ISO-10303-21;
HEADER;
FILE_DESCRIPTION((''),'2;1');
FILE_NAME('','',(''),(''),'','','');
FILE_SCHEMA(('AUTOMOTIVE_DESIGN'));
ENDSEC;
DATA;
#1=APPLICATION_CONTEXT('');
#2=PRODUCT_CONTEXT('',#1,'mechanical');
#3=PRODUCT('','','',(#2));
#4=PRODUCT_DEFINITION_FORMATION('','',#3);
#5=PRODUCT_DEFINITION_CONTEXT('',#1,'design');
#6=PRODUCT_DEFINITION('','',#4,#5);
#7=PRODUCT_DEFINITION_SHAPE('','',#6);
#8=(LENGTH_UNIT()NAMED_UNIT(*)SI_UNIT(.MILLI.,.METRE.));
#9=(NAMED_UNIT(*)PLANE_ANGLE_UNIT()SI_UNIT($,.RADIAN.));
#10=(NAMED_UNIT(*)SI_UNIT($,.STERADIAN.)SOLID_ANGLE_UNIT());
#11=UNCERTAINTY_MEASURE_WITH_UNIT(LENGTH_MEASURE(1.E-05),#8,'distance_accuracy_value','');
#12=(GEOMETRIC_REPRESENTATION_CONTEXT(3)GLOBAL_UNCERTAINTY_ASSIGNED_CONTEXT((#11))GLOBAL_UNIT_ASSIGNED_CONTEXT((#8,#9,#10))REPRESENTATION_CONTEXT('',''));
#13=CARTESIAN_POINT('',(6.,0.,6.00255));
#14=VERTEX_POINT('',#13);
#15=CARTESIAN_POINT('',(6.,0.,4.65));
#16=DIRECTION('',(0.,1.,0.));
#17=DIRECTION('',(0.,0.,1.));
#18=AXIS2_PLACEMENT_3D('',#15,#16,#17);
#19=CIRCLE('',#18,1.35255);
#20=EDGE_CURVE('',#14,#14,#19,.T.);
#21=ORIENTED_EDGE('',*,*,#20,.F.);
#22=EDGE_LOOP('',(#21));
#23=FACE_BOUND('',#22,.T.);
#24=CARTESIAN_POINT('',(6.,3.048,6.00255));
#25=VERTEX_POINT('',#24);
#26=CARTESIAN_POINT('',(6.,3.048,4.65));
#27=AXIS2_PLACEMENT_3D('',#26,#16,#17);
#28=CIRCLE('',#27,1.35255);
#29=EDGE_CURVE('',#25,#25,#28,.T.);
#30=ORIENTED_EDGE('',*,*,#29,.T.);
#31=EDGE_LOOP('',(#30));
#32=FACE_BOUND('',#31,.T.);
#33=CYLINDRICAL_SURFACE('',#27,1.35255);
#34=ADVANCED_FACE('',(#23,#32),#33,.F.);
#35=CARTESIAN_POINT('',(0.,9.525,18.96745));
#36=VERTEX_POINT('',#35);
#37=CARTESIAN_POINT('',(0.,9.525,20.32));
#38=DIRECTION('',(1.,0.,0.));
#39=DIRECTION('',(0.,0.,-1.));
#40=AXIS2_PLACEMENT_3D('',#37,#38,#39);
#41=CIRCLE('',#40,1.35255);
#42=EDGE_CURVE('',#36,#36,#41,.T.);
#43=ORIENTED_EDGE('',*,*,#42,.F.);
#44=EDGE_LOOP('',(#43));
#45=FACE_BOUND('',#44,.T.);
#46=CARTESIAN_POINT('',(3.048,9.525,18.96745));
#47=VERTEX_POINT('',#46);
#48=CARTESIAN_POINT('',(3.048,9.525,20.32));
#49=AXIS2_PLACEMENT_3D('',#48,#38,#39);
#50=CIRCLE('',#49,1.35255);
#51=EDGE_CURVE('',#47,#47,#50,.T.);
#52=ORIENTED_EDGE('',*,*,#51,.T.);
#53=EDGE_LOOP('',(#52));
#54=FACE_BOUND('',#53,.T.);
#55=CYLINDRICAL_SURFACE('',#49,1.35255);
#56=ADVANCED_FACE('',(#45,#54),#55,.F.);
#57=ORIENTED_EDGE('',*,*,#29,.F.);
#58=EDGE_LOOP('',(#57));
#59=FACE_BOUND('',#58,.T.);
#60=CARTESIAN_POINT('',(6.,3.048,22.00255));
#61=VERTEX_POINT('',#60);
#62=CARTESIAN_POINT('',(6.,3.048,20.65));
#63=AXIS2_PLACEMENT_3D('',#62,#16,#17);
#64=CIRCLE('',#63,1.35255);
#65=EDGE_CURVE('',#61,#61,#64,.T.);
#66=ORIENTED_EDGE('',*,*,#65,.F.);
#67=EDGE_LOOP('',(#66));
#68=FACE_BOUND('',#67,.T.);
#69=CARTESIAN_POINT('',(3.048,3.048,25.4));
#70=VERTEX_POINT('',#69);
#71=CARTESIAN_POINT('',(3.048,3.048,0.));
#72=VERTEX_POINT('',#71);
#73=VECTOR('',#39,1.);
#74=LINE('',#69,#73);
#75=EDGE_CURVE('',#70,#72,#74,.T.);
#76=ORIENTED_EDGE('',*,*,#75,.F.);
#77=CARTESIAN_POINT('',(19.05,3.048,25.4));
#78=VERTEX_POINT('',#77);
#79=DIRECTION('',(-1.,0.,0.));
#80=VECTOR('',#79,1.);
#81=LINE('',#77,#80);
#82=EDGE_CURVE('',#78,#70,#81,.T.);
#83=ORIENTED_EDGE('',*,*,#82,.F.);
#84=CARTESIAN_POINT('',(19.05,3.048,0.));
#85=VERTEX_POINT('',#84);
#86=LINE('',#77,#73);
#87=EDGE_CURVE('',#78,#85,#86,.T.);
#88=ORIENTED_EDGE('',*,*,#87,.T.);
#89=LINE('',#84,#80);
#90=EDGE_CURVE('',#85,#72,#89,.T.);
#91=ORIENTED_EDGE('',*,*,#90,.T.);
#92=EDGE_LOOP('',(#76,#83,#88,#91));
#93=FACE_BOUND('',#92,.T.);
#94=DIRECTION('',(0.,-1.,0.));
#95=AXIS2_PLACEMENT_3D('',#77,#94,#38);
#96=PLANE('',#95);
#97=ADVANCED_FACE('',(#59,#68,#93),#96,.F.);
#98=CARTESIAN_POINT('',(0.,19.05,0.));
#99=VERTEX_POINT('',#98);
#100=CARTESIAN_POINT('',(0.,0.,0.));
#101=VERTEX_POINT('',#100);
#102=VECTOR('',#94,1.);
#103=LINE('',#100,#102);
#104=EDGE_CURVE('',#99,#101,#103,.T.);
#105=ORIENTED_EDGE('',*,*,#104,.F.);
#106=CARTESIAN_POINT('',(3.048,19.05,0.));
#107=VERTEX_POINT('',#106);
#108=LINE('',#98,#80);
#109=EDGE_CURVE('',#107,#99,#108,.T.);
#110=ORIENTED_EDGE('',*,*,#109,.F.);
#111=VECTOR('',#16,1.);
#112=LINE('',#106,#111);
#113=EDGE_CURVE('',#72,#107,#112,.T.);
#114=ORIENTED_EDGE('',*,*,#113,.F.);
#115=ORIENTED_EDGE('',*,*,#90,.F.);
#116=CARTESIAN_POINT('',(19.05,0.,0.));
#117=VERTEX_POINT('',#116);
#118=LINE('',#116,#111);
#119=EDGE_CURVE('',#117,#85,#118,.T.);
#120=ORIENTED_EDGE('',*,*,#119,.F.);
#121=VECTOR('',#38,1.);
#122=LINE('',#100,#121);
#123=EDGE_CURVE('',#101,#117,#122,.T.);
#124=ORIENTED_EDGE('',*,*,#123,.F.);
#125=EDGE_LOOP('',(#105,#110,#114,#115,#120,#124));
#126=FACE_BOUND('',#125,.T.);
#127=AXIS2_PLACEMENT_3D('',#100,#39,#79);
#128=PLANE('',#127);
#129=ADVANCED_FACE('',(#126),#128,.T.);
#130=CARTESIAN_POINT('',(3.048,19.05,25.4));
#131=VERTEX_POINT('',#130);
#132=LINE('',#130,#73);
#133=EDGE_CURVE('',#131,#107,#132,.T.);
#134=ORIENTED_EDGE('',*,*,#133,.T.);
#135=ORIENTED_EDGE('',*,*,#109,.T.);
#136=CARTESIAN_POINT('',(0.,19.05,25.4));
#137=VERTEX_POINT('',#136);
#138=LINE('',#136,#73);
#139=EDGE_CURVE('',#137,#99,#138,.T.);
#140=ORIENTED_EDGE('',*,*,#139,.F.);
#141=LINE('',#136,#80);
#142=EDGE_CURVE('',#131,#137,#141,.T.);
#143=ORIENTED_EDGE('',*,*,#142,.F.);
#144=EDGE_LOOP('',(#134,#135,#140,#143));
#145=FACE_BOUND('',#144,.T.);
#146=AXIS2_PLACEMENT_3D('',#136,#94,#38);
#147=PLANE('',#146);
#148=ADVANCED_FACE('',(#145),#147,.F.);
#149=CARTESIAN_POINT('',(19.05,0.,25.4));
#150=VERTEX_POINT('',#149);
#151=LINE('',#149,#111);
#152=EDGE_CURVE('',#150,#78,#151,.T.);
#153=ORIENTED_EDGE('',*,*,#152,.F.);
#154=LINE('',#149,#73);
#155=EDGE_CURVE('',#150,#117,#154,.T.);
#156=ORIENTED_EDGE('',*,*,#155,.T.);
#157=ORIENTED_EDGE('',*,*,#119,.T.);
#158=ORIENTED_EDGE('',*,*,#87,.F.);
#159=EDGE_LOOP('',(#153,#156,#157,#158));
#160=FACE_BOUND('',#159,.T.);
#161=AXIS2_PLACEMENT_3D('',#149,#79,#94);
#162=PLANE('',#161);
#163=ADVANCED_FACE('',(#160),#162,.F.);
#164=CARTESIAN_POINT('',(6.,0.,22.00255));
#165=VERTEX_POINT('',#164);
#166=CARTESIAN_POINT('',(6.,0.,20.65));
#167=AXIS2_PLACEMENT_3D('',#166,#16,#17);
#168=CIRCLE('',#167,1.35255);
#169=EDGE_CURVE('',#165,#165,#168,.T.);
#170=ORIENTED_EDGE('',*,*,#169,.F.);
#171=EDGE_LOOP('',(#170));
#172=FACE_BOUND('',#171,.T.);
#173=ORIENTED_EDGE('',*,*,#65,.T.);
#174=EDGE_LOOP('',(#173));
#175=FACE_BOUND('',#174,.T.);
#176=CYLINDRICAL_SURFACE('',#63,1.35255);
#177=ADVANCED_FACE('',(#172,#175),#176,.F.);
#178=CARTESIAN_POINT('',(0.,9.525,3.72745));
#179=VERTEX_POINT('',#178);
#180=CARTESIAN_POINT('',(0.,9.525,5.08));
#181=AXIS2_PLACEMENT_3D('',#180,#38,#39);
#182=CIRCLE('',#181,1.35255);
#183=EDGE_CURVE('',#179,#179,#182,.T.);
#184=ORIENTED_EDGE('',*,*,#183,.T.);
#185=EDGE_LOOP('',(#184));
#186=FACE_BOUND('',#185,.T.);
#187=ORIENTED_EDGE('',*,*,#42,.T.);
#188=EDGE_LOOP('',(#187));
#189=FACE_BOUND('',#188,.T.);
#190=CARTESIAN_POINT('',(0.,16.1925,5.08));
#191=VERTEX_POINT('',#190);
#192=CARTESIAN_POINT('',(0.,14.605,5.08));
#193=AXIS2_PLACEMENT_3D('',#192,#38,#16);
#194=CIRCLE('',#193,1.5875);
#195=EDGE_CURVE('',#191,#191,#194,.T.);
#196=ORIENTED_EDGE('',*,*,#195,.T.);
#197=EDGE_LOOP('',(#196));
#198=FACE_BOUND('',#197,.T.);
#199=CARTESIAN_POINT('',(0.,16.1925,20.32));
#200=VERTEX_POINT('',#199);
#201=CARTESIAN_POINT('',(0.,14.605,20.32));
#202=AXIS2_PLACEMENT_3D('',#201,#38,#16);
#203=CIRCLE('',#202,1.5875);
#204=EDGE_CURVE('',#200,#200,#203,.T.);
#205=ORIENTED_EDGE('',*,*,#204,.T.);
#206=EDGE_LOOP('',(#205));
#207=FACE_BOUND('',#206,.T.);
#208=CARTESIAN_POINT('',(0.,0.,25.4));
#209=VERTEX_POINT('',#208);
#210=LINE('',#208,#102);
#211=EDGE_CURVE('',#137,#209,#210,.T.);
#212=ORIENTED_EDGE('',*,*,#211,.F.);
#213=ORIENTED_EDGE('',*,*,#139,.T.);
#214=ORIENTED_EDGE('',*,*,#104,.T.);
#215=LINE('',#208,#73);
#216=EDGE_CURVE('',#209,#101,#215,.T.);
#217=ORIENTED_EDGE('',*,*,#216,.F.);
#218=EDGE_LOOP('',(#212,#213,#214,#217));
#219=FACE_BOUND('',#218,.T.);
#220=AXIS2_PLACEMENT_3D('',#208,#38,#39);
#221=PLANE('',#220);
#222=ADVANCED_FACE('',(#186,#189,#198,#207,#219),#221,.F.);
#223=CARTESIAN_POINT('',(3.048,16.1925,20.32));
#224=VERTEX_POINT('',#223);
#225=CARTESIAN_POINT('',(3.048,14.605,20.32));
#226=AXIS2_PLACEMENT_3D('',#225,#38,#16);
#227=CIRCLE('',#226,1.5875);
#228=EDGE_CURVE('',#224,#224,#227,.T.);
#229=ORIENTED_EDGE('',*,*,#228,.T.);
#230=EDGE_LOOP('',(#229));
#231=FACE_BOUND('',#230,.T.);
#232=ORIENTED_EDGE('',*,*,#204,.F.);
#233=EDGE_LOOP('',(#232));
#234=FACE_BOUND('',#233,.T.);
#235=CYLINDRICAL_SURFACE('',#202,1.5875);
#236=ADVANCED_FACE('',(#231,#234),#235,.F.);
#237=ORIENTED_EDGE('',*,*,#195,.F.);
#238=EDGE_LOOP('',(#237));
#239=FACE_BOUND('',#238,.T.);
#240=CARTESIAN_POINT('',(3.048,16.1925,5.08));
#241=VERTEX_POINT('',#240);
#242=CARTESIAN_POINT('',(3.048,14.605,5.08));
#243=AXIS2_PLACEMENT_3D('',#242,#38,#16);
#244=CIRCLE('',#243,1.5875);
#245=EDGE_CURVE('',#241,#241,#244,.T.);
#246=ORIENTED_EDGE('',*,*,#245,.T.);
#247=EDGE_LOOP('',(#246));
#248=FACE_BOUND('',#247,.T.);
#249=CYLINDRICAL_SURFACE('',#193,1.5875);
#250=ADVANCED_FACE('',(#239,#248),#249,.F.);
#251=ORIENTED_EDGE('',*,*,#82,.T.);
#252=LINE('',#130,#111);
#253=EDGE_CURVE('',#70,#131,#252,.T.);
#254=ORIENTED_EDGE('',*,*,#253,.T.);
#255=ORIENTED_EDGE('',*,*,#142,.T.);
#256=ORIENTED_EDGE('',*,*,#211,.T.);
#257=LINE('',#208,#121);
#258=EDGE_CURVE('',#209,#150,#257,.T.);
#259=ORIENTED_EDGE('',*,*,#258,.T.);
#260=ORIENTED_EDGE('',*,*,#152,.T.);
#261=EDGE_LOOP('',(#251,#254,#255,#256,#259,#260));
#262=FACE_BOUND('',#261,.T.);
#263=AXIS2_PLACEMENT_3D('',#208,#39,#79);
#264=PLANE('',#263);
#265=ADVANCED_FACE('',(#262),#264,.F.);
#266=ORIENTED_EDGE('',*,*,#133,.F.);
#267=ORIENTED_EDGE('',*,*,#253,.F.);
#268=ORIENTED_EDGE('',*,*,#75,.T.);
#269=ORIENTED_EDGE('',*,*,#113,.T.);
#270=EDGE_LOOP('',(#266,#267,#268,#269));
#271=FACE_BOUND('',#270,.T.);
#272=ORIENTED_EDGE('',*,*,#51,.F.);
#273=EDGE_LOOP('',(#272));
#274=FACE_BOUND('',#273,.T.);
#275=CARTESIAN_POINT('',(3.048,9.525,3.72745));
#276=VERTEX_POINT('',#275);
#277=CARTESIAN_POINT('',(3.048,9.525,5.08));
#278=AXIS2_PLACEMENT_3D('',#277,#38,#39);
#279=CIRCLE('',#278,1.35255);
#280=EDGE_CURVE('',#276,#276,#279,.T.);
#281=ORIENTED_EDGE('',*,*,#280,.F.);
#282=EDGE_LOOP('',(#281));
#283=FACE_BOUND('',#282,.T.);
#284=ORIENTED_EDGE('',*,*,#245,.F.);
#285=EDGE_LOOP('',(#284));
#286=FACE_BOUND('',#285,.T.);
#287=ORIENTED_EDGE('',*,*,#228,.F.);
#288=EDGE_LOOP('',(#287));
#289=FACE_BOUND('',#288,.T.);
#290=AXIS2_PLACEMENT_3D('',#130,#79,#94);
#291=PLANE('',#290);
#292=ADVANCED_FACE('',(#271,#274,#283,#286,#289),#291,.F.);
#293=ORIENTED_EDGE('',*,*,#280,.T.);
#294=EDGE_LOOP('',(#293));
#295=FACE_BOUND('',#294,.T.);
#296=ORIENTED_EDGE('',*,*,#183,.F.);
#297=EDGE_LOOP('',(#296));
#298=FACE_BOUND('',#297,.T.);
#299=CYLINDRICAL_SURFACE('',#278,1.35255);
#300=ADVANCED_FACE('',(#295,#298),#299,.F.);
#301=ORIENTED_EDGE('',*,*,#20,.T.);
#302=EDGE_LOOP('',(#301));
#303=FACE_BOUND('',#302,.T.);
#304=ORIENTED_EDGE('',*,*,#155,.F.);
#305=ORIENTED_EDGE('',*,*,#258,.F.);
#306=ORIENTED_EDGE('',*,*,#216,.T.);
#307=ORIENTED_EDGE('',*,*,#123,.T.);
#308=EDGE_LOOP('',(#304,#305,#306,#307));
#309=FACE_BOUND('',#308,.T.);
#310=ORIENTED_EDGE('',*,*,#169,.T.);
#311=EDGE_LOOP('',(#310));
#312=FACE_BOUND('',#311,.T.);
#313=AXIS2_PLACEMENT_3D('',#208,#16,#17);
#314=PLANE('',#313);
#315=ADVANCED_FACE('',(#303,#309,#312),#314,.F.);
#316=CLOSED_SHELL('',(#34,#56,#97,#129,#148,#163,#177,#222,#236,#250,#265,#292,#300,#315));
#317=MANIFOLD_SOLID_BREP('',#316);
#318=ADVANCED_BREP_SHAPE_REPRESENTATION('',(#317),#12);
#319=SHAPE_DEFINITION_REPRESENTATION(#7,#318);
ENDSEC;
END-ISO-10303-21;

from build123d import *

# Parameters (mm, degrees)
BOSS_EXTRUDE1_DEPTH   = 25.4
F_6_32_TAPPED_HOLE1_D = 2.7051
F_6_32_TAPPED_HOLE2_D = 2.7051
SKETCH7_R             = 1.5875
CUT_EXTRUDE1_DEPTH    = 4.048


with BuildPart() as part:
    # Sketch1 → Boss-Extrude1 (new body)
    with BuildSketch(Plane.XY):
        Polygon((0, 0), (19.05, 0), (19.05, 3.048), (3.048, 3.048), (3.048, 19.05), (0, 19.05), align=None)
    extrude(amount=BOSS_EXTRUDE1_DEPTH)

    # #6-32 Tapped Hole1 (through all)
    with Locations(Plane(origin=(3.048, 0, 0), x_dir=(0, 0, -1), z_dir=(1, 0, 0))):
        with Locations((-20.32, 9.525), (-5.08, 9.525)):
            Hole(F_6_32_TAPPED_HOLE1_D / 2)

    # #6-32 Tapped Hole2 (through all)
    with Locations(Plane(origin=(0, 3.048, 0), x_dir=(1, 0, 0), z_dir=(0, 1, 0))):
        with Locations((6, -20.65), (6, -4.65)):
            Hole(F_6_32_TAPPED_HOLE2_D / 2)

    # Sketch7 → Cut-Extrude1 (cut, through all)
    with BuildSketch(Plane(origin=(3.048, 0, 0), x_dir=(0, 0, -1), z_dir=(1, 0, 0))):
        with Locations((-20.32, 14.605)):
            Circle(SKETCH7_R)
        with Locations((-5.08, 14.605)):
            Circle(SKETCH7_R)
    extrude(amount=-CUT_EXTRUDE1_DEPTH, mode=Mode.SUBTRACT)


solid = part.part
